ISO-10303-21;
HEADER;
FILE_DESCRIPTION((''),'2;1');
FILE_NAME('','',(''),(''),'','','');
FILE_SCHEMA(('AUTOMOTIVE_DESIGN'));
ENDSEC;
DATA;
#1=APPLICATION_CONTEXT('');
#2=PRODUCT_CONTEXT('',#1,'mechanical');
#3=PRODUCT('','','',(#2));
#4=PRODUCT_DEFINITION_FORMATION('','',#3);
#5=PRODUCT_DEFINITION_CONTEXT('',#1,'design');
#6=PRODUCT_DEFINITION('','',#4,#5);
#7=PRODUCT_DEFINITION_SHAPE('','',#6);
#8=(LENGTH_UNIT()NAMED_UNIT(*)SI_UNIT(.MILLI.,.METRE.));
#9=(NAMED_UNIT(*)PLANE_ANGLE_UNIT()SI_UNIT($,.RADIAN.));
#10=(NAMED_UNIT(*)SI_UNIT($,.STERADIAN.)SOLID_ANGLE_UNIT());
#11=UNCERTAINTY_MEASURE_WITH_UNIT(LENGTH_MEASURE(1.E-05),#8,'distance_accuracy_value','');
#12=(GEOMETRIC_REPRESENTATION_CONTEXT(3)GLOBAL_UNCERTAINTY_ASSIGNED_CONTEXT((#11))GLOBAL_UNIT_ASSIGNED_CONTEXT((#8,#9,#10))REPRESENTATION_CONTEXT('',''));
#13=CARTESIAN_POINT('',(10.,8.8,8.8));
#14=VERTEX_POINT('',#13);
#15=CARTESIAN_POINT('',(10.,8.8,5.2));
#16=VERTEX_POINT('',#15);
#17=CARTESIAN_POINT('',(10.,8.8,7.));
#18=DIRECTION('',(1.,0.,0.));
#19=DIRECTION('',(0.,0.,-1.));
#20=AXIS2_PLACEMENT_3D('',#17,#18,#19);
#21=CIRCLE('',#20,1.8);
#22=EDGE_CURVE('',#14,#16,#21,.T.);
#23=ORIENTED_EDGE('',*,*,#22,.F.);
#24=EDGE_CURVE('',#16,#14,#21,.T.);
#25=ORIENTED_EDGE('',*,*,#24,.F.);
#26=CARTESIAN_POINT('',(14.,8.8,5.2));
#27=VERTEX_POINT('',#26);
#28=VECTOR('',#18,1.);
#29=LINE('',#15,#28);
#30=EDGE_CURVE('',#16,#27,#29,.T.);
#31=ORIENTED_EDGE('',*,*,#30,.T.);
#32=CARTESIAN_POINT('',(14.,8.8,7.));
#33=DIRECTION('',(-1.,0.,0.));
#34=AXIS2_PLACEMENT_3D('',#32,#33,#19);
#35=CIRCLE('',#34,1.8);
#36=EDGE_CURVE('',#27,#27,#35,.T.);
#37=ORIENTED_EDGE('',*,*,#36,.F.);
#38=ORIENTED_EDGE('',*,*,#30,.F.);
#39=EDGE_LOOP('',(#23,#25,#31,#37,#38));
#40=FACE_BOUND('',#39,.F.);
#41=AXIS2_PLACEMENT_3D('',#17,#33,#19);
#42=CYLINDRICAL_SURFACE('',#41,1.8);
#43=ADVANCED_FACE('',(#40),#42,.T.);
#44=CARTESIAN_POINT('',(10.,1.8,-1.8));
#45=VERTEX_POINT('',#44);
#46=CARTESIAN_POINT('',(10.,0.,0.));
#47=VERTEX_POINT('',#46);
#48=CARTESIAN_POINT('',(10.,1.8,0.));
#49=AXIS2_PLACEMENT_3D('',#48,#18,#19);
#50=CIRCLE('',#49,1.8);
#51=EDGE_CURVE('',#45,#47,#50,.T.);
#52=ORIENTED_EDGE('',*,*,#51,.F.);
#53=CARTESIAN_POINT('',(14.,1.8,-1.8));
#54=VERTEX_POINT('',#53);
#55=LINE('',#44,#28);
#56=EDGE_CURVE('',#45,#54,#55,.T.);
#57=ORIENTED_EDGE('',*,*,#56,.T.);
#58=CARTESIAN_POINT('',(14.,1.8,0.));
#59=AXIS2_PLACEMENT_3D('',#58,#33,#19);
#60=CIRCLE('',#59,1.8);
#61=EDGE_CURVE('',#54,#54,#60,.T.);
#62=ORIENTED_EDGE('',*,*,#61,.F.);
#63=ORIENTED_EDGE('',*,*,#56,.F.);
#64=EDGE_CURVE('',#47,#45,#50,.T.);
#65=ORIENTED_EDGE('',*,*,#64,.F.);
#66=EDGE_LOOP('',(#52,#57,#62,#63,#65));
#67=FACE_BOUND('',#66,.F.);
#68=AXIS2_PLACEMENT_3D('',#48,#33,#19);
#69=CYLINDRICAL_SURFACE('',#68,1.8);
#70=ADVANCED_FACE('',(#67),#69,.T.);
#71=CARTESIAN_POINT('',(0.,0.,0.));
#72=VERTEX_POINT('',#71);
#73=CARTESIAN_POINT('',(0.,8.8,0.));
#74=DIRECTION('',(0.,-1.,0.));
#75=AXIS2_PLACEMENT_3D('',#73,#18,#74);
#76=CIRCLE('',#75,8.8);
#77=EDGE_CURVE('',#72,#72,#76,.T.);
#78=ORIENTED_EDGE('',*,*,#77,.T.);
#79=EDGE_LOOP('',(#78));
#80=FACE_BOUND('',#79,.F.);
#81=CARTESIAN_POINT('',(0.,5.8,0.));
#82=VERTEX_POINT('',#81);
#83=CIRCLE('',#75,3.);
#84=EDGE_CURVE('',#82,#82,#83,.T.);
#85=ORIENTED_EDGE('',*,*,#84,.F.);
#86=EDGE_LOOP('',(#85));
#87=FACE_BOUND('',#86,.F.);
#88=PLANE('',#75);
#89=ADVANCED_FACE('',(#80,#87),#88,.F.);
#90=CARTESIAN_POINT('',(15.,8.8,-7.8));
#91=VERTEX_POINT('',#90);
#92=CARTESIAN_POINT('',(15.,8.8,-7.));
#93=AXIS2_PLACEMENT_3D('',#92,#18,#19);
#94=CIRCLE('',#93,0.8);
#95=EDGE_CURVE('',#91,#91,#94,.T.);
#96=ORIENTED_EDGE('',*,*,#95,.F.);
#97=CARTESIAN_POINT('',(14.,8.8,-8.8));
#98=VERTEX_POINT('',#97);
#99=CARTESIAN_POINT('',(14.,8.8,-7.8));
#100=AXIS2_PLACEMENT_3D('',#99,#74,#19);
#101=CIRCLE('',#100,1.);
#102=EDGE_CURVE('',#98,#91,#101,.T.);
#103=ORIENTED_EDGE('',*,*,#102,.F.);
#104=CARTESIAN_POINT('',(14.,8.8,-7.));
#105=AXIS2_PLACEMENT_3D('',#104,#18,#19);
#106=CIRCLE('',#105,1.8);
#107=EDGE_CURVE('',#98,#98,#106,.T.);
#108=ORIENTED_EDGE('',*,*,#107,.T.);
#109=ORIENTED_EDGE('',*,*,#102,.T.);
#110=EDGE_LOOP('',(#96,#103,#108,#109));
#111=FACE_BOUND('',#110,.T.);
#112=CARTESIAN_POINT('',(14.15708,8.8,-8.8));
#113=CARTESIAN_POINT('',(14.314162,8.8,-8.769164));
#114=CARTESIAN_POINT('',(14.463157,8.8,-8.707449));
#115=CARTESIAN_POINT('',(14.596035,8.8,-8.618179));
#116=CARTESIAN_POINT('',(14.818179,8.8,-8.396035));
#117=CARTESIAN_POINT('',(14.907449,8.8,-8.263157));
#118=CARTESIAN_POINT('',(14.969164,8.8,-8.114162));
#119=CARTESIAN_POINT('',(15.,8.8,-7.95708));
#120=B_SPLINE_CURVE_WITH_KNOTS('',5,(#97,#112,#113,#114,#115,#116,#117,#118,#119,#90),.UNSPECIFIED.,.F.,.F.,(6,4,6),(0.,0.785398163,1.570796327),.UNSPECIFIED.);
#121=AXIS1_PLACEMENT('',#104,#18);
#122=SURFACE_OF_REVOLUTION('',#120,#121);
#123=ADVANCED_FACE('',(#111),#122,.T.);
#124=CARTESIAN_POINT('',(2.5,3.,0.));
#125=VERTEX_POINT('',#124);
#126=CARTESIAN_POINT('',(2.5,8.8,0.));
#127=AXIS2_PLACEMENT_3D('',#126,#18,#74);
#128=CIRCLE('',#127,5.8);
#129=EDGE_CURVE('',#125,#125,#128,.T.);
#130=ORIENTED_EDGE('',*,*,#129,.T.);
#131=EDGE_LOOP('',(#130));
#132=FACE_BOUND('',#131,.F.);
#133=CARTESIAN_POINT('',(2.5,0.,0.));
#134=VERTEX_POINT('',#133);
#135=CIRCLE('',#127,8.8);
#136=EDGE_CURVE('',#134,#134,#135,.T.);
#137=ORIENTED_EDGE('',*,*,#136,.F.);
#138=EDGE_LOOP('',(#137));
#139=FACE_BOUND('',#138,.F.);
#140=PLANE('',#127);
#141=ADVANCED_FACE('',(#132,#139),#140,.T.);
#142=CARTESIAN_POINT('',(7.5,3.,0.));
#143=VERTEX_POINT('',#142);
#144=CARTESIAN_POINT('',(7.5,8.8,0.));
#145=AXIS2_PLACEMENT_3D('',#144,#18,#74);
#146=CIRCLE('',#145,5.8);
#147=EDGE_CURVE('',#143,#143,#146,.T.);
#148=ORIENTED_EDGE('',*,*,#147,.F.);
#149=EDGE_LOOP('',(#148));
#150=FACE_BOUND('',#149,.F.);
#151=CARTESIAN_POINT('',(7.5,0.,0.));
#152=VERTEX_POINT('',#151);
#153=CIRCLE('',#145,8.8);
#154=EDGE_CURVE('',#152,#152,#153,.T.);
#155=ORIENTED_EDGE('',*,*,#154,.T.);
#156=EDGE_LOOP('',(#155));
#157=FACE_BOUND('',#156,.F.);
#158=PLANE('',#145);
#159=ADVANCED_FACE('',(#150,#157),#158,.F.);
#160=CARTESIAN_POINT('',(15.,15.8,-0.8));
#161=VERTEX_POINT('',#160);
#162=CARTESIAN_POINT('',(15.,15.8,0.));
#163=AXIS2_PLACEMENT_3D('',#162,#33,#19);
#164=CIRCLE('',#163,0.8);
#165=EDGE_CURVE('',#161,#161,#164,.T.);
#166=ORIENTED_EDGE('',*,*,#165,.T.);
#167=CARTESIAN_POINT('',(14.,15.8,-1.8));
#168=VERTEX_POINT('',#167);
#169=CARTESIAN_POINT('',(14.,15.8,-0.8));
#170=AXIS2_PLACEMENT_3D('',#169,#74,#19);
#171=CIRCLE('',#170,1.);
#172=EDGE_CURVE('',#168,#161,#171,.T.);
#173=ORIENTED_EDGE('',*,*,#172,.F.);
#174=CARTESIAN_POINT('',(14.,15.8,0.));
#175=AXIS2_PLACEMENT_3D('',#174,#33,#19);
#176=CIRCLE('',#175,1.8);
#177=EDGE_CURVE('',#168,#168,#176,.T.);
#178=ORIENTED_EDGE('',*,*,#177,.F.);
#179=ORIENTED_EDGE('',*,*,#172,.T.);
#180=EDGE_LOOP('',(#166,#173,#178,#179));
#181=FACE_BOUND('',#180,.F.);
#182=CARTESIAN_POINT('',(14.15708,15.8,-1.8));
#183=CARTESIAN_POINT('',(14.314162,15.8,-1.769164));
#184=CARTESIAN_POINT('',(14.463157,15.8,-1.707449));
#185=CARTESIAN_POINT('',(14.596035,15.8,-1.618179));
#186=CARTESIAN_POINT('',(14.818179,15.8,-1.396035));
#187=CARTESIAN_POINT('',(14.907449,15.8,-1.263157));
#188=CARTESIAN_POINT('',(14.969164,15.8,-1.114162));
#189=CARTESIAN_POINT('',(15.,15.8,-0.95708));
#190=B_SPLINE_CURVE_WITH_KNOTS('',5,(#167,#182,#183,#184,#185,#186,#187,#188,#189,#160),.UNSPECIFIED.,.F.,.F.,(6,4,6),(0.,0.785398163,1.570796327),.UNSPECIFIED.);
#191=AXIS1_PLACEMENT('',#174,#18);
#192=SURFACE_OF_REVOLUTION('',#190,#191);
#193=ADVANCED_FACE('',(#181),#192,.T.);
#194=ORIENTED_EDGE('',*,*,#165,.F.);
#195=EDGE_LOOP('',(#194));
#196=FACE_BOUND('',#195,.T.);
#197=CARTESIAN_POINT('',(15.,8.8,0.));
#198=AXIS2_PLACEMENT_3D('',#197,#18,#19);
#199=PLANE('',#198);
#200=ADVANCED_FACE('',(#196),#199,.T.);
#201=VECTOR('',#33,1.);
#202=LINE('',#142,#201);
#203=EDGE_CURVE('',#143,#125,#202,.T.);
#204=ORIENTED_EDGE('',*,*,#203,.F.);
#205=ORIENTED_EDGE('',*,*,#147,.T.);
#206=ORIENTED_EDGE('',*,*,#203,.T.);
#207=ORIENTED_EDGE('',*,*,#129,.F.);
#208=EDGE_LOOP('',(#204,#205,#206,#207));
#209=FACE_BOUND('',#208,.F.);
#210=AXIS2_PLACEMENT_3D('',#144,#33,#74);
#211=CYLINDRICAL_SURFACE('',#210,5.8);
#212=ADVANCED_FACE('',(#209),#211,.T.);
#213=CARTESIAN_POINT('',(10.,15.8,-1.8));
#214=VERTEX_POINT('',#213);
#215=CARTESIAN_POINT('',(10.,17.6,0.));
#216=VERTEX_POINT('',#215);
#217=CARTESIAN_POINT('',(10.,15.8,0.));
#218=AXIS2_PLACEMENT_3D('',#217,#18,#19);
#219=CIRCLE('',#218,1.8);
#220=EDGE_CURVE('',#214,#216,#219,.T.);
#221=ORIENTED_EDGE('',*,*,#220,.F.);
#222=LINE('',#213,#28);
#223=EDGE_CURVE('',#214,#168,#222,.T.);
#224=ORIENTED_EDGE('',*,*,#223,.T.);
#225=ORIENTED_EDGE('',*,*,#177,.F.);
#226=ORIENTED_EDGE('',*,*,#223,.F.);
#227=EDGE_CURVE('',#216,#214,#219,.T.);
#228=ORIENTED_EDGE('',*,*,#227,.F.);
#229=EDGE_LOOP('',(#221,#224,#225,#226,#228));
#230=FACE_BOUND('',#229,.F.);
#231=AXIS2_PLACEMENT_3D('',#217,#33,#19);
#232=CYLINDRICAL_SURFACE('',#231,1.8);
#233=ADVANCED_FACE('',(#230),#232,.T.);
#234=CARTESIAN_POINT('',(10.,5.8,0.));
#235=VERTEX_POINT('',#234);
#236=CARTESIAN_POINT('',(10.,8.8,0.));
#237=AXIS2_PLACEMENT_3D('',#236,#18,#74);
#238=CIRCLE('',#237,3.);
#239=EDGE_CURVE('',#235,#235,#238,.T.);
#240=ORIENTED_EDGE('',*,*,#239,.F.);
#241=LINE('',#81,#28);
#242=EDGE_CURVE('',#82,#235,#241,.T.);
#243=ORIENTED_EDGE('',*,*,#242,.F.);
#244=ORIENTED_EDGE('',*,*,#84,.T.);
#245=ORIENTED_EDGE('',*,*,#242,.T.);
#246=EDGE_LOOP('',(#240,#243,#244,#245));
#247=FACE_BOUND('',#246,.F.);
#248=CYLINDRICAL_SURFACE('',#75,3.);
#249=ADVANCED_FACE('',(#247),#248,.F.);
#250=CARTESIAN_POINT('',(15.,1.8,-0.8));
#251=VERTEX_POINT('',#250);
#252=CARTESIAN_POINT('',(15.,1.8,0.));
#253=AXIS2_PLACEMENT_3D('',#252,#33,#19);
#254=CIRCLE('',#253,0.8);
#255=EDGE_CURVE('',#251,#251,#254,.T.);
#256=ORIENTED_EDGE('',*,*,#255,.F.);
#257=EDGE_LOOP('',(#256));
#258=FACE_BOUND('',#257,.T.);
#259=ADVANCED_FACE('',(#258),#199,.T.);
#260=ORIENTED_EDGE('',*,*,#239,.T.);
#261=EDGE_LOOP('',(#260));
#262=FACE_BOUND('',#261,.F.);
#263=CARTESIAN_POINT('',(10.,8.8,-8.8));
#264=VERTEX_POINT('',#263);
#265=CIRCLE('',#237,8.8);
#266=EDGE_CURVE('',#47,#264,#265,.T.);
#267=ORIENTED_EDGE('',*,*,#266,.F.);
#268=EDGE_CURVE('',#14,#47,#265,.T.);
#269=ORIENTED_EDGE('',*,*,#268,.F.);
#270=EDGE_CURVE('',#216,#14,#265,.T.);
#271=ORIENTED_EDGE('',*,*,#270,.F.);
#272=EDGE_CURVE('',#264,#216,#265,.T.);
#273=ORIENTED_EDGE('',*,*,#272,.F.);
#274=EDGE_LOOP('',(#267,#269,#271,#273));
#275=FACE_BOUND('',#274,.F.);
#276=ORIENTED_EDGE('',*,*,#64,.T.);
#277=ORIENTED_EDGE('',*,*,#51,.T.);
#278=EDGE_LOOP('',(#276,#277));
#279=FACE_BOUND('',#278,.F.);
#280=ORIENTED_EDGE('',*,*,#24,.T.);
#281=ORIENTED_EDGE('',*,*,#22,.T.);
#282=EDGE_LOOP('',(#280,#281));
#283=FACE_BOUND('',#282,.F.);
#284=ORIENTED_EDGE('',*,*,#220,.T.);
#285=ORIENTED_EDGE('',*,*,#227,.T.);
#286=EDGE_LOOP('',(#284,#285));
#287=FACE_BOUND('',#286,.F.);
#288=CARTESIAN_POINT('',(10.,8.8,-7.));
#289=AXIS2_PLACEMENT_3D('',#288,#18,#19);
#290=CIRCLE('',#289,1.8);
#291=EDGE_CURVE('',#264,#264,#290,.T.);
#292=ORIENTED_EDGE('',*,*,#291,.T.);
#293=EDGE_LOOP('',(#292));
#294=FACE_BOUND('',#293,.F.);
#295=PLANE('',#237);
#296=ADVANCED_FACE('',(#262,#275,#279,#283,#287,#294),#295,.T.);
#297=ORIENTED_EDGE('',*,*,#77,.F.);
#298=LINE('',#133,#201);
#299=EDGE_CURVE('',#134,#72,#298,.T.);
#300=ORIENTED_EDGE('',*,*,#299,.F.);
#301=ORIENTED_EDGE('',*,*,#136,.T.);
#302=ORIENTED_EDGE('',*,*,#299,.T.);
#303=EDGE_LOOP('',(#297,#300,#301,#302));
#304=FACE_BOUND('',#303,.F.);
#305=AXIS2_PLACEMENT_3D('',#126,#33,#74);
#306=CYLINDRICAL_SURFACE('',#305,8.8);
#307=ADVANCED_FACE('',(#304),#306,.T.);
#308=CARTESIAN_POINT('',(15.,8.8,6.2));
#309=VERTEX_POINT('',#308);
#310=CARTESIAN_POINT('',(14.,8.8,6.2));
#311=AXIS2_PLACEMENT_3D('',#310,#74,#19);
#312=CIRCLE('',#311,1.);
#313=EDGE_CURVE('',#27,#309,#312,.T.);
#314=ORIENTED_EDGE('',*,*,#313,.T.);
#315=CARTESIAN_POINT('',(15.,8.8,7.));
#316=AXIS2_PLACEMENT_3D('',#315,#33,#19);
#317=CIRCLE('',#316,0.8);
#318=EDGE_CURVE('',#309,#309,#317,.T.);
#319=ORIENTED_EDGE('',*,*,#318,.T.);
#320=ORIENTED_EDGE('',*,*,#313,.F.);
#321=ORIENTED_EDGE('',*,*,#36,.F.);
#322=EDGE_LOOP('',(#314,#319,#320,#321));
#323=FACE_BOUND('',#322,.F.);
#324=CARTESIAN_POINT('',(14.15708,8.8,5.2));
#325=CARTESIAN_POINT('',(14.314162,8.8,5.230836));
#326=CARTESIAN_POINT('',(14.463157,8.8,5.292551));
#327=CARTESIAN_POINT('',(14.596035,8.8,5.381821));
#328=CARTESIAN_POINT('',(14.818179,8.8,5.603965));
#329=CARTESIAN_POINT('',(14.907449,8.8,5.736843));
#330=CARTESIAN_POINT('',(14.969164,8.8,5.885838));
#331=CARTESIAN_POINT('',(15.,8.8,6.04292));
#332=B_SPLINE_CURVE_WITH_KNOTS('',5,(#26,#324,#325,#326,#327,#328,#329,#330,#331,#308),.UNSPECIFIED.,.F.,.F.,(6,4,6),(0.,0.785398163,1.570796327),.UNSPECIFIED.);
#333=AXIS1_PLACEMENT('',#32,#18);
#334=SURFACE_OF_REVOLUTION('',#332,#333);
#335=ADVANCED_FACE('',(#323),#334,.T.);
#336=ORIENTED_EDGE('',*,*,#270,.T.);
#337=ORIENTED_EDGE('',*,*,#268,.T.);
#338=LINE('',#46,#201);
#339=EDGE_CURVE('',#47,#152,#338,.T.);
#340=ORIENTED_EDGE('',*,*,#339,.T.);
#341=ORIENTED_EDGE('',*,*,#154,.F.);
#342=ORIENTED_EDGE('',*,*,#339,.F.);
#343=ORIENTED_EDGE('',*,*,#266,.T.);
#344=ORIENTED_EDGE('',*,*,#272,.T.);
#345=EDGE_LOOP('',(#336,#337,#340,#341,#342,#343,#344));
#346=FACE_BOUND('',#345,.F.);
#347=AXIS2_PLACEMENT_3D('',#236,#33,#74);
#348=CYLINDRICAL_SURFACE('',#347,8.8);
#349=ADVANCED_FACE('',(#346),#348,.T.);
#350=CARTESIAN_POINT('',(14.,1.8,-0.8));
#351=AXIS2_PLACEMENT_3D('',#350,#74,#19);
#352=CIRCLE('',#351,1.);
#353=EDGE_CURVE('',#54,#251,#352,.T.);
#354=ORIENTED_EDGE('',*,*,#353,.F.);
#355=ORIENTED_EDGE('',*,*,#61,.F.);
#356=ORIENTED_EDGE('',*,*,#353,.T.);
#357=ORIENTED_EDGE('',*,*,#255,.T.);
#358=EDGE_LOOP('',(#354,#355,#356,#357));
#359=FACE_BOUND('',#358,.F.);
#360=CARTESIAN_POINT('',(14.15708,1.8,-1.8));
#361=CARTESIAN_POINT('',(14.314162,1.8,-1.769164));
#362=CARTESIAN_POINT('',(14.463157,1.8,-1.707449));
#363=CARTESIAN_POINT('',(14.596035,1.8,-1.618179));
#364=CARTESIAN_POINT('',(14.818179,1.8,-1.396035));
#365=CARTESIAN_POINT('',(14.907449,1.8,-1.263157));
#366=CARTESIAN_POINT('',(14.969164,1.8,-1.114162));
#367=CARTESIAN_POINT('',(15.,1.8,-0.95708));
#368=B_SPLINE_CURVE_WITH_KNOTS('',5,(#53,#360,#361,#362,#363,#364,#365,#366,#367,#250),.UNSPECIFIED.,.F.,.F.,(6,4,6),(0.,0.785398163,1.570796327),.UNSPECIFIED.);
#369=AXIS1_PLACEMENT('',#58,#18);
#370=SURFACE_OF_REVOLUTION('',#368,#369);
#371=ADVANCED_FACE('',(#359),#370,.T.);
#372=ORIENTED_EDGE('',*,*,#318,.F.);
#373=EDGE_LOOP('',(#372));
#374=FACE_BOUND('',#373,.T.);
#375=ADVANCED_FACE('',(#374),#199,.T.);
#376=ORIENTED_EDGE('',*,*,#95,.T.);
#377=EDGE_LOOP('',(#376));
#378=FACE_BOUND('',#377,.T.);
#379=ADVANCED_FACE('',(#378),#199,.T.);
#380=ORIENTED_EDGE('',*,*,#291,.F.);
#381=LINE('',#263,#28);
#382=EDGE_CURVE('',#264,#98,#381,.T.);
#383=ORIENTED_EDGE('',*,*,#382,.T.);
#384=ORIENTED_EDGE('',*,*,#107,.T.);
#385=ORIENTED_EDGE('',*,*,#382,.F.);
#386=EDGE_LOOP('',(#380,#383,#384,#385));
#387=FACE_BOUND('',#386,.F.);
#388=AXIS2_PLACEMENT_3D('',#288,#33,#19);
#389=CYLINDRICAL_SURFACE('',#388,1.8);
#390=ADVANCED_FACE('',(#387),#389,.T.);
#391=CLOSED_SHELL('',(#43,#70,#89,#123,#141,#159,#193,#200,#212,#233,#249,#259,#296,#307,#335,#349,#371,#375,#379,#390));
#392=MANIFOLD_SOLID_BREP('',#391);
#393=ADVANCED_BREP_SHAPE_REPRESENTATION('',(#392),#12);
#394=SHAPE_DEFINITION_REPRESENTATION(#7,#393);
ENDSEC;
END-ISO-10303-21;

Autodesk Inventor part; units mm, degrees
ref_plane "YZ Plane" through (0, 0, 0) normal (1, 0, 0) x (0, 1, 0)
ref_plane "XZ Plane" through (0, 0, 0) normal (0, 1, 0) x (-1, 0, 0)
ref_plane "XY Plane" through (0, 0, 0) normal (0, 0, 1) x (1, 0, 0)
sketch "Sketch3" plane through (0, 0, 0) normal (0, 0, 1) x (1, 0, 0)
  line L0 (0, 0) -> (0, 5.8)
  line L1 (0, 8.8) -> (10, 8.8)
  line L2 (10, 5.8) -> (10, 0)
  line L3 (10, 0) -> (7.5, 0)
  line L4 (7.5, 0) -> (7.5, 3)
  line L5 (7.5, 3) -> (2.5, 3)
  line L6 (2.5, 3) -> (2.5, 0)
  line L7 (2.5, 0) -> (0, 0)
  line L8 (0, 5.8) -> (10, 5.8)
  dimension "d10" = 8.8
  dimension "d11" = 10
  dimension "d12" = 2.5
  dimension "d13" = 3
  dimension "d14" = 5
  dimension "d24" = 6
  dimension "d25" = 5.8
sketch "Sketch4" plane through (0, 0, 0) normal (0, 0, 1) x (1, 0, 0)
  point P0 (0, 0)
revolve "Revolution1" add sketch "Sketch3" angle 360 about axis through (0, 8.8, 0) along (1, 0, 0)
sketch "Sketch7" plane through (10, 8.8, 0) normal (1, 0, 0) x (0, 0, -1)
  circle A0 centre (7, 0) radius 1.8
  circle A1 centre (-7, 0) radius 1.8
  circle A2 centre (0, -7) radius 1.8
  circle A3 centre (0, 0) radius 8.8 projected
  circle A4 centre (0, 7) radius 1.8
  point P0 (0, -8.8)
  dimension "d27" = 3.6
  dimension "d28" = 3.6
  dimension "d29" = 3.6
  dimension "d30" = 3.6
extrude "Extrusion4" add sketch "Sketch7" along normal blind 5 contours A0 | A4 | A1 | A2
fillet "Fillet1" radius 1 1 edges at (15, 15.8, 1.8)
fillet "Fillet2" radius 1 1 edges at (15, 8.8, -5.2)
fillet "Fillet3" radius 1 1 edges at (15, 1.8, 1.8)
fillet "Fillet4" radius 1 1 edges at (15, 8.8, 8.8)
equation "\"d25\" = d10 - 0.5 * d24"
properties part number "SpoolWindDriver"
